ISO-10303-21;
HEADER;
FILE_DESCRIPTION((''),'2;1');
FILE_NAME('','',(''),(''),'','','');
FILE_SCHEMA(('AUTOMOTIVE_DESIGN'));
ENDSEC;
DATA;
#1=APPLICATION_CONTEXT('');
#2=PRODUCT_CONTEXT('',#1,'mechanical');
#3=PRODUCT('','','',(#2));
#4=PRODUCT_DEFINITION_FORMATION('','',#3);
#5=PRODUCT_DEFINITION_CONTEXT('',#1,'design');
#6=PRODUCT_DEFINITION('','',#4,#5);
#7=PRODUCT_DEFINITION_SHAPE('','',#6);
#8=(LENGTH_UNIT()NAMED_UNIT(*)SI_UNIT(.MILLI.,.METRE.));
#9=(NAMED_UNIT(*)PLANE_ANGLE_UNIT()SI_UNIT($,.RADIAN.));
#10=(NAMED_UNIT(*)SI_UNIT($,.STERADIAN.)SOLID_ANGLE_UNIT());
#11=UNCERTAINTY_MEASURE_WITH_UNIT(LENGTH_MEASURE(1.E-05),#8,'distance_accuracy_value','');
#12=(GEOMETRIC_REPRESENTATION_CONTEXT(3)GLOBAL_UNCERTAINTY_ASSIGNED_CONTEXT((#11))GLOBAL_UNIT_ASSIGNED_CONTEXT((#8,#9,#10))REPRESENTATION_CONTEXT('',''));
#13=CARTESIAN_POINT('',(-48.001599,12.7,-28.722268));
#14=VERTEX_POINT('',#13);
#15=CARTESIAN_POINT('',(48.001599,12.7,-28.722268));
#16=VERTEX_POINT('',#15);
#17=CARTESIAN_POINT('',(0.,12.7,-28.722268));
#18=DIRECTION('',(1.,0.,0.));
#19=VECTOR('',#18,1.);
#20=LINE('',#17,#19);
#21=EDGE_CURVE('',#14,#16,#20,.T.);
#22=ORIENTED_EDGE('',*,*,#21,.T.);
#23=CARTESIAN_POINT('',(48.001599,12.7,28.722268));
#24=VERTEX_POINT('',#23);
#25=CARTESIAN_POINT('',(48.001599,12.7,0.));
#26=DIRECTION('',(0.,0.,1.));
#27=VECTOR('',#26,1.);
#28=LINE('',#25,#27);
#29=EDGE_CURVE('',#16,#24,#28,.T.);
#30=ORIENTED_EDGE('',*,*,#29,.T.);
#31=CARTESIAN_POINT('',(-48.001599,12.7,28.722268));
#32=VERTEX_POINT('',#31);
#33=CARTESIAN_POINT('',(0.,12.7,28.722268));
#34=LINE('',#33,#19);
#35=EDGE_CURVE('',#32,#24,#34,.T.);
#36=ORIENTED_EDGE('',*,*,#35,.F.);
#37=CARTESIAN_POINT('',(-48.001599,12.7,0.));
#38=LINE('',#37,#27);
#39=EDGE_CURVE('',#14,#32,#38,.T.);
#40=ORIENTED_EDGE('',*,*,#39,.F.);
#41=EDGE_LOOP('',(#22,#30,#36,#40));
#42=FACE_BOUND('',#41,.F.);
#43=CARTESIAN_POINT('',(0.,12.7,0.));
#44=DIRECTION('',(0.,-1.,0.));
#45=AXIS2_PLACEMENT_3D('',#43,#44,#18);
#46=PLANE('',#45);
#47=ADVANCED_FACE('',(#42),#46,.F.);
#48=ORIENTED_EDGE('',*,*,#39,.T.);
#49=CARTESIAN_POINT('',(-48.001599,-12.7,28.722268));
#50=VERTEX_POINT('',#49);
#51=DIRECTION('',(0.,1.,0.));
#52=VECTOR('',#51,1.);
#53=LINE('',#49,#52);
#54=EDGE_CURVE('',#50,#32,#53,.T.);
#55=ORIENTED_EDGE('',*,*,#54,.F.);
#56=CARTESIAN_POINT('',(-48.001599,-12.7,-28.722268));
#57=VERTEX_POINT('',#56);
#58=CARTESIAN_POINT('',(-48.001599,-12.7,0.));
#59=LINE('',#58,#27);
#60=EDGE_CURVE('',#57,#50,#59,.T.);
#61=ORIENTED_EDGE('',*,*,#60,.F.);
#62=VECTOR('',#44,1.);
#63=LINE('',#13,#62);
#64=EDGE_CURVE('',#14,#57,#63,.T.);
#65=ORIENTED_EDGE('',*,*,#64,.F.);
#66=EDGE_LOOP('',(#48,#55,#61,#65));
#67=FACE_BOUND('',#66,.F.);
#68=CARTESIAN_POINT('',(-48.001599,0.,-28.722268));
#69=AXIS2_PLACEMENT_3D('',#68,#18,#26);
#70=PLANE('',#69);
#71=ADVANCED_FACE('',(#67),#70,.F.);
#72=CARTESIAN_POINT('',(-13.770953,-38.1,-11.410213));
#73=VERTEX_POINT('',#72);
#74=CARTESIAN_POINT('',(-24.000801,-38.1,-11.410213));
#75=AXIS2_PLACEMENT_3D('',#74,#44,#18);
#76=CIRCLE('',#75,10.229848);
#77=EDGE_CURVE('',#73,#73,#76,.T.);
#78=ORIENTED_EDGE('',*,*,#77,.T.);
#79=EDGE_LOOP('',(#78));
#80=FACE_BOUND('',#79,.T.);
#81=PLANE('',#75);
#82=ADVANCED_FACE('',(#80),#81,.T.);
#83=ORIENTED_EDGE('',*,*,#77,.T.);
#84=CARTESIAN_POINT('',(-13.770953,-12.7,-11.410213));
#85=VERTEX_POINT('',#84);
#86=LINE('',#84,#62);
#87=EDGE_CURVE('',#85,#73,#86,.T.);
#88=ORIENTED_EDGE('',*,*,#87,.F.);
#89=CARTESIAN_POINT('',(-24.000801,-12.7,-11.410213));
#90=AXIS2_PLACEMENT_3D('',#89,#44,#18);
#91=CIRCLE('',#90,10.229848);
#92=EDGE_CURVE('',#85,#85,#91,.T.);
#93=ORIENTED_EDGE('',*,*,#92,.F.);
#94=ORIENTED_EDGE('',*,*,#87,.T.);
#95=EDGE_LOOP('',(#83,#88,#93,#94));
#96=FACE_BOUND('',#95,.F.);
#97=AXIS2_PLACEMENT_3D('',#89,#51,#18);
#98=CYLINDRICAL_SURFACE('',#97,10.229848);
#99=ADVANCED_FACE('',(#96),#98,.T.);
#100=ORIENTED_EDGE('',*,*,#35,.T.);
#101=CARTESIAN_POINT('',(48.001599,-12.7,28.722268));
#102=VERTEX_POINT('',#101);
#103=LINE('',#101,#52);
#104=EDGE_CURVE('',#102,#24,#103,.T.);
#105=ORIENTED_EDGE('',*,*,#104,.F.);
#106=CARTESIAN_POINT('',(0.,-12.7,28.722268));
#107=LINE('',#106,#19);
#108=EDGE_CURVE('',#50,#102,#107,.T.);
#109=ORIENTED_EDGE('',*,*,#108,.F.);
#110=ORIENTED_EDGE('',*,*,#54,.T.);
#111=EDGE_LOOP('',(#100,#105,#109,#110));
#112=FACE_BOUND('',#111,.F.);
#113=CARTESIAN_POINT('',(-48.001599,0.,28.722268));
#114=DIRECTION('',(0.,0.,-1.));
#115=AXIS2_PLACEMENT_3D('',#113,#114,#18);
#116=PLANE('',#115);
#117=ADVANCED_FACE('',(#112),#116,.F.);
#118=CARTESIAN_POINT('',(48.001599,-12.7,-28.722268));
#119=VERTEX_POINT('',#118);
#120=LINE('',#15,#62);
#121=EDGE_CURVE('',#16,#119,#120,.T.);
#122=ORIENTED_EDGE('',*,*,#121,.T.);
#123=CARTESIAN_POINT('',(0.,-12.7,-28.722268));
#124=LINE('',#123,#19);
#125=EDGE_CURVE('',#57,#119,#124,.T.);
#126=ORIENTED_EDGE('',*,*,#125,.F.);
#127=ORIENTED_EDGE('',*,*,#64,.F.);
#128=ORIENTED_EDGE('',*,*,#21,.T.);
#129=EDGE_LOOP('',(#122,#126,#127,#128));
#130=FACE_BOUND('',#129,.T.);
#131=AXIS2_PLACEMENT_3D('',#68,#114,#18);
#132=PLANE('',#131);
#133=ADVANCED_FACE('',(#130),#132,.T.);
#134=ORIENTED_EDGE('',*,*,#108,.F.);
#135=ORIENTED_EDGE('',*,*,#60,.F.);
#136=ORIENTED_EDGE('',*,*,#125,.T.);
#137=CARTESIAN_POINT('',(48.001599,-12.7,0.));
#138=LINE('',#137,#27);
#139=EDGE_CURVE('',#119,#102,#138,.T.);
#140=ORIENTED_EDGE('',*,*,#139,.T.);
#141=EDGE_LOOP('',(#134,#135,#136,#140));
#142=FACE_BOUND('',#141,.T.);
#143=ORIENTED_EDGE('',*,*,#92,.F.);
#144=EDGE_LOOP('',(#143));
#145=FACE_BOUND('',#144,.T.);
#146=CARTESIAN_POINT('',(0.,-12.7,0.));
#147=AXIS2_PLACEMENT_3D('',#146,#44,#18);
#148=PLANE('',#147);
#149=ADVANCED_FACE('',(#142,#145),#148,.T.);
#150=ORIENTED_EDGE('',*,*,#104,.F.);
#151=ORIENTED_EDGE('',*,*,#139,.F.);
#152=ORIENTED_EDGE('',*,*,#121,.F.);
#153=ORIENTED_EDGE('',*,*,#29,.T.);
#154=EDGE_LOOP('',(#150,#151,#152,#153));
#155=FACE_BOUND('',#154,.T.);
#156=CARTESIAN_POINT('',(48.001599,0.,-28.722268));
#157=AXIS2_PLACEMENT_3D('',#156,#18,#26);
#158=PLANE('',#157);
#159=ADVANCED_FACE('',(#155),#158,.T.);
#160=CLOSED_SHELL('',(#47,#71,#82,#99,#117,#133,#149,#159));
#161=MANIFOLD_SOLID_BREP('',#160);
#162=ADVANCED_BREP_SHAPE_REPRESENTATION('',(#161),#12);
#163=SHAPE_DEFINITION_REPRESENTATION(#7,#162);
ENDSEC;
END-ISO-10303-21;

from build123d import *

# Parameters (mm, degrees)
F0_W     = 96.003198
F0_H     = 57.444536
F1_DEPTH = 12.7
F2_R     = 10.229848
F3_DEPTH = 25.4


with BuildPart() as f1:
    # F0 (on Front) → F1 (new body, symmetric)
    with BuildSketch(Plane.XZ):
        Rectangle(F0_W, F0_H)
    extrude(amount=F1_DEPTH, both=True)

    # F2 (on face) → F3 (join)
    with BuildSketch(Plane.XZ.offset(12.7)):
        with Locations((-24.000801, -11.410213)):
            Circle(F2_R)
    extrude(amount=F3_DEPTH)


solid = f1.part
